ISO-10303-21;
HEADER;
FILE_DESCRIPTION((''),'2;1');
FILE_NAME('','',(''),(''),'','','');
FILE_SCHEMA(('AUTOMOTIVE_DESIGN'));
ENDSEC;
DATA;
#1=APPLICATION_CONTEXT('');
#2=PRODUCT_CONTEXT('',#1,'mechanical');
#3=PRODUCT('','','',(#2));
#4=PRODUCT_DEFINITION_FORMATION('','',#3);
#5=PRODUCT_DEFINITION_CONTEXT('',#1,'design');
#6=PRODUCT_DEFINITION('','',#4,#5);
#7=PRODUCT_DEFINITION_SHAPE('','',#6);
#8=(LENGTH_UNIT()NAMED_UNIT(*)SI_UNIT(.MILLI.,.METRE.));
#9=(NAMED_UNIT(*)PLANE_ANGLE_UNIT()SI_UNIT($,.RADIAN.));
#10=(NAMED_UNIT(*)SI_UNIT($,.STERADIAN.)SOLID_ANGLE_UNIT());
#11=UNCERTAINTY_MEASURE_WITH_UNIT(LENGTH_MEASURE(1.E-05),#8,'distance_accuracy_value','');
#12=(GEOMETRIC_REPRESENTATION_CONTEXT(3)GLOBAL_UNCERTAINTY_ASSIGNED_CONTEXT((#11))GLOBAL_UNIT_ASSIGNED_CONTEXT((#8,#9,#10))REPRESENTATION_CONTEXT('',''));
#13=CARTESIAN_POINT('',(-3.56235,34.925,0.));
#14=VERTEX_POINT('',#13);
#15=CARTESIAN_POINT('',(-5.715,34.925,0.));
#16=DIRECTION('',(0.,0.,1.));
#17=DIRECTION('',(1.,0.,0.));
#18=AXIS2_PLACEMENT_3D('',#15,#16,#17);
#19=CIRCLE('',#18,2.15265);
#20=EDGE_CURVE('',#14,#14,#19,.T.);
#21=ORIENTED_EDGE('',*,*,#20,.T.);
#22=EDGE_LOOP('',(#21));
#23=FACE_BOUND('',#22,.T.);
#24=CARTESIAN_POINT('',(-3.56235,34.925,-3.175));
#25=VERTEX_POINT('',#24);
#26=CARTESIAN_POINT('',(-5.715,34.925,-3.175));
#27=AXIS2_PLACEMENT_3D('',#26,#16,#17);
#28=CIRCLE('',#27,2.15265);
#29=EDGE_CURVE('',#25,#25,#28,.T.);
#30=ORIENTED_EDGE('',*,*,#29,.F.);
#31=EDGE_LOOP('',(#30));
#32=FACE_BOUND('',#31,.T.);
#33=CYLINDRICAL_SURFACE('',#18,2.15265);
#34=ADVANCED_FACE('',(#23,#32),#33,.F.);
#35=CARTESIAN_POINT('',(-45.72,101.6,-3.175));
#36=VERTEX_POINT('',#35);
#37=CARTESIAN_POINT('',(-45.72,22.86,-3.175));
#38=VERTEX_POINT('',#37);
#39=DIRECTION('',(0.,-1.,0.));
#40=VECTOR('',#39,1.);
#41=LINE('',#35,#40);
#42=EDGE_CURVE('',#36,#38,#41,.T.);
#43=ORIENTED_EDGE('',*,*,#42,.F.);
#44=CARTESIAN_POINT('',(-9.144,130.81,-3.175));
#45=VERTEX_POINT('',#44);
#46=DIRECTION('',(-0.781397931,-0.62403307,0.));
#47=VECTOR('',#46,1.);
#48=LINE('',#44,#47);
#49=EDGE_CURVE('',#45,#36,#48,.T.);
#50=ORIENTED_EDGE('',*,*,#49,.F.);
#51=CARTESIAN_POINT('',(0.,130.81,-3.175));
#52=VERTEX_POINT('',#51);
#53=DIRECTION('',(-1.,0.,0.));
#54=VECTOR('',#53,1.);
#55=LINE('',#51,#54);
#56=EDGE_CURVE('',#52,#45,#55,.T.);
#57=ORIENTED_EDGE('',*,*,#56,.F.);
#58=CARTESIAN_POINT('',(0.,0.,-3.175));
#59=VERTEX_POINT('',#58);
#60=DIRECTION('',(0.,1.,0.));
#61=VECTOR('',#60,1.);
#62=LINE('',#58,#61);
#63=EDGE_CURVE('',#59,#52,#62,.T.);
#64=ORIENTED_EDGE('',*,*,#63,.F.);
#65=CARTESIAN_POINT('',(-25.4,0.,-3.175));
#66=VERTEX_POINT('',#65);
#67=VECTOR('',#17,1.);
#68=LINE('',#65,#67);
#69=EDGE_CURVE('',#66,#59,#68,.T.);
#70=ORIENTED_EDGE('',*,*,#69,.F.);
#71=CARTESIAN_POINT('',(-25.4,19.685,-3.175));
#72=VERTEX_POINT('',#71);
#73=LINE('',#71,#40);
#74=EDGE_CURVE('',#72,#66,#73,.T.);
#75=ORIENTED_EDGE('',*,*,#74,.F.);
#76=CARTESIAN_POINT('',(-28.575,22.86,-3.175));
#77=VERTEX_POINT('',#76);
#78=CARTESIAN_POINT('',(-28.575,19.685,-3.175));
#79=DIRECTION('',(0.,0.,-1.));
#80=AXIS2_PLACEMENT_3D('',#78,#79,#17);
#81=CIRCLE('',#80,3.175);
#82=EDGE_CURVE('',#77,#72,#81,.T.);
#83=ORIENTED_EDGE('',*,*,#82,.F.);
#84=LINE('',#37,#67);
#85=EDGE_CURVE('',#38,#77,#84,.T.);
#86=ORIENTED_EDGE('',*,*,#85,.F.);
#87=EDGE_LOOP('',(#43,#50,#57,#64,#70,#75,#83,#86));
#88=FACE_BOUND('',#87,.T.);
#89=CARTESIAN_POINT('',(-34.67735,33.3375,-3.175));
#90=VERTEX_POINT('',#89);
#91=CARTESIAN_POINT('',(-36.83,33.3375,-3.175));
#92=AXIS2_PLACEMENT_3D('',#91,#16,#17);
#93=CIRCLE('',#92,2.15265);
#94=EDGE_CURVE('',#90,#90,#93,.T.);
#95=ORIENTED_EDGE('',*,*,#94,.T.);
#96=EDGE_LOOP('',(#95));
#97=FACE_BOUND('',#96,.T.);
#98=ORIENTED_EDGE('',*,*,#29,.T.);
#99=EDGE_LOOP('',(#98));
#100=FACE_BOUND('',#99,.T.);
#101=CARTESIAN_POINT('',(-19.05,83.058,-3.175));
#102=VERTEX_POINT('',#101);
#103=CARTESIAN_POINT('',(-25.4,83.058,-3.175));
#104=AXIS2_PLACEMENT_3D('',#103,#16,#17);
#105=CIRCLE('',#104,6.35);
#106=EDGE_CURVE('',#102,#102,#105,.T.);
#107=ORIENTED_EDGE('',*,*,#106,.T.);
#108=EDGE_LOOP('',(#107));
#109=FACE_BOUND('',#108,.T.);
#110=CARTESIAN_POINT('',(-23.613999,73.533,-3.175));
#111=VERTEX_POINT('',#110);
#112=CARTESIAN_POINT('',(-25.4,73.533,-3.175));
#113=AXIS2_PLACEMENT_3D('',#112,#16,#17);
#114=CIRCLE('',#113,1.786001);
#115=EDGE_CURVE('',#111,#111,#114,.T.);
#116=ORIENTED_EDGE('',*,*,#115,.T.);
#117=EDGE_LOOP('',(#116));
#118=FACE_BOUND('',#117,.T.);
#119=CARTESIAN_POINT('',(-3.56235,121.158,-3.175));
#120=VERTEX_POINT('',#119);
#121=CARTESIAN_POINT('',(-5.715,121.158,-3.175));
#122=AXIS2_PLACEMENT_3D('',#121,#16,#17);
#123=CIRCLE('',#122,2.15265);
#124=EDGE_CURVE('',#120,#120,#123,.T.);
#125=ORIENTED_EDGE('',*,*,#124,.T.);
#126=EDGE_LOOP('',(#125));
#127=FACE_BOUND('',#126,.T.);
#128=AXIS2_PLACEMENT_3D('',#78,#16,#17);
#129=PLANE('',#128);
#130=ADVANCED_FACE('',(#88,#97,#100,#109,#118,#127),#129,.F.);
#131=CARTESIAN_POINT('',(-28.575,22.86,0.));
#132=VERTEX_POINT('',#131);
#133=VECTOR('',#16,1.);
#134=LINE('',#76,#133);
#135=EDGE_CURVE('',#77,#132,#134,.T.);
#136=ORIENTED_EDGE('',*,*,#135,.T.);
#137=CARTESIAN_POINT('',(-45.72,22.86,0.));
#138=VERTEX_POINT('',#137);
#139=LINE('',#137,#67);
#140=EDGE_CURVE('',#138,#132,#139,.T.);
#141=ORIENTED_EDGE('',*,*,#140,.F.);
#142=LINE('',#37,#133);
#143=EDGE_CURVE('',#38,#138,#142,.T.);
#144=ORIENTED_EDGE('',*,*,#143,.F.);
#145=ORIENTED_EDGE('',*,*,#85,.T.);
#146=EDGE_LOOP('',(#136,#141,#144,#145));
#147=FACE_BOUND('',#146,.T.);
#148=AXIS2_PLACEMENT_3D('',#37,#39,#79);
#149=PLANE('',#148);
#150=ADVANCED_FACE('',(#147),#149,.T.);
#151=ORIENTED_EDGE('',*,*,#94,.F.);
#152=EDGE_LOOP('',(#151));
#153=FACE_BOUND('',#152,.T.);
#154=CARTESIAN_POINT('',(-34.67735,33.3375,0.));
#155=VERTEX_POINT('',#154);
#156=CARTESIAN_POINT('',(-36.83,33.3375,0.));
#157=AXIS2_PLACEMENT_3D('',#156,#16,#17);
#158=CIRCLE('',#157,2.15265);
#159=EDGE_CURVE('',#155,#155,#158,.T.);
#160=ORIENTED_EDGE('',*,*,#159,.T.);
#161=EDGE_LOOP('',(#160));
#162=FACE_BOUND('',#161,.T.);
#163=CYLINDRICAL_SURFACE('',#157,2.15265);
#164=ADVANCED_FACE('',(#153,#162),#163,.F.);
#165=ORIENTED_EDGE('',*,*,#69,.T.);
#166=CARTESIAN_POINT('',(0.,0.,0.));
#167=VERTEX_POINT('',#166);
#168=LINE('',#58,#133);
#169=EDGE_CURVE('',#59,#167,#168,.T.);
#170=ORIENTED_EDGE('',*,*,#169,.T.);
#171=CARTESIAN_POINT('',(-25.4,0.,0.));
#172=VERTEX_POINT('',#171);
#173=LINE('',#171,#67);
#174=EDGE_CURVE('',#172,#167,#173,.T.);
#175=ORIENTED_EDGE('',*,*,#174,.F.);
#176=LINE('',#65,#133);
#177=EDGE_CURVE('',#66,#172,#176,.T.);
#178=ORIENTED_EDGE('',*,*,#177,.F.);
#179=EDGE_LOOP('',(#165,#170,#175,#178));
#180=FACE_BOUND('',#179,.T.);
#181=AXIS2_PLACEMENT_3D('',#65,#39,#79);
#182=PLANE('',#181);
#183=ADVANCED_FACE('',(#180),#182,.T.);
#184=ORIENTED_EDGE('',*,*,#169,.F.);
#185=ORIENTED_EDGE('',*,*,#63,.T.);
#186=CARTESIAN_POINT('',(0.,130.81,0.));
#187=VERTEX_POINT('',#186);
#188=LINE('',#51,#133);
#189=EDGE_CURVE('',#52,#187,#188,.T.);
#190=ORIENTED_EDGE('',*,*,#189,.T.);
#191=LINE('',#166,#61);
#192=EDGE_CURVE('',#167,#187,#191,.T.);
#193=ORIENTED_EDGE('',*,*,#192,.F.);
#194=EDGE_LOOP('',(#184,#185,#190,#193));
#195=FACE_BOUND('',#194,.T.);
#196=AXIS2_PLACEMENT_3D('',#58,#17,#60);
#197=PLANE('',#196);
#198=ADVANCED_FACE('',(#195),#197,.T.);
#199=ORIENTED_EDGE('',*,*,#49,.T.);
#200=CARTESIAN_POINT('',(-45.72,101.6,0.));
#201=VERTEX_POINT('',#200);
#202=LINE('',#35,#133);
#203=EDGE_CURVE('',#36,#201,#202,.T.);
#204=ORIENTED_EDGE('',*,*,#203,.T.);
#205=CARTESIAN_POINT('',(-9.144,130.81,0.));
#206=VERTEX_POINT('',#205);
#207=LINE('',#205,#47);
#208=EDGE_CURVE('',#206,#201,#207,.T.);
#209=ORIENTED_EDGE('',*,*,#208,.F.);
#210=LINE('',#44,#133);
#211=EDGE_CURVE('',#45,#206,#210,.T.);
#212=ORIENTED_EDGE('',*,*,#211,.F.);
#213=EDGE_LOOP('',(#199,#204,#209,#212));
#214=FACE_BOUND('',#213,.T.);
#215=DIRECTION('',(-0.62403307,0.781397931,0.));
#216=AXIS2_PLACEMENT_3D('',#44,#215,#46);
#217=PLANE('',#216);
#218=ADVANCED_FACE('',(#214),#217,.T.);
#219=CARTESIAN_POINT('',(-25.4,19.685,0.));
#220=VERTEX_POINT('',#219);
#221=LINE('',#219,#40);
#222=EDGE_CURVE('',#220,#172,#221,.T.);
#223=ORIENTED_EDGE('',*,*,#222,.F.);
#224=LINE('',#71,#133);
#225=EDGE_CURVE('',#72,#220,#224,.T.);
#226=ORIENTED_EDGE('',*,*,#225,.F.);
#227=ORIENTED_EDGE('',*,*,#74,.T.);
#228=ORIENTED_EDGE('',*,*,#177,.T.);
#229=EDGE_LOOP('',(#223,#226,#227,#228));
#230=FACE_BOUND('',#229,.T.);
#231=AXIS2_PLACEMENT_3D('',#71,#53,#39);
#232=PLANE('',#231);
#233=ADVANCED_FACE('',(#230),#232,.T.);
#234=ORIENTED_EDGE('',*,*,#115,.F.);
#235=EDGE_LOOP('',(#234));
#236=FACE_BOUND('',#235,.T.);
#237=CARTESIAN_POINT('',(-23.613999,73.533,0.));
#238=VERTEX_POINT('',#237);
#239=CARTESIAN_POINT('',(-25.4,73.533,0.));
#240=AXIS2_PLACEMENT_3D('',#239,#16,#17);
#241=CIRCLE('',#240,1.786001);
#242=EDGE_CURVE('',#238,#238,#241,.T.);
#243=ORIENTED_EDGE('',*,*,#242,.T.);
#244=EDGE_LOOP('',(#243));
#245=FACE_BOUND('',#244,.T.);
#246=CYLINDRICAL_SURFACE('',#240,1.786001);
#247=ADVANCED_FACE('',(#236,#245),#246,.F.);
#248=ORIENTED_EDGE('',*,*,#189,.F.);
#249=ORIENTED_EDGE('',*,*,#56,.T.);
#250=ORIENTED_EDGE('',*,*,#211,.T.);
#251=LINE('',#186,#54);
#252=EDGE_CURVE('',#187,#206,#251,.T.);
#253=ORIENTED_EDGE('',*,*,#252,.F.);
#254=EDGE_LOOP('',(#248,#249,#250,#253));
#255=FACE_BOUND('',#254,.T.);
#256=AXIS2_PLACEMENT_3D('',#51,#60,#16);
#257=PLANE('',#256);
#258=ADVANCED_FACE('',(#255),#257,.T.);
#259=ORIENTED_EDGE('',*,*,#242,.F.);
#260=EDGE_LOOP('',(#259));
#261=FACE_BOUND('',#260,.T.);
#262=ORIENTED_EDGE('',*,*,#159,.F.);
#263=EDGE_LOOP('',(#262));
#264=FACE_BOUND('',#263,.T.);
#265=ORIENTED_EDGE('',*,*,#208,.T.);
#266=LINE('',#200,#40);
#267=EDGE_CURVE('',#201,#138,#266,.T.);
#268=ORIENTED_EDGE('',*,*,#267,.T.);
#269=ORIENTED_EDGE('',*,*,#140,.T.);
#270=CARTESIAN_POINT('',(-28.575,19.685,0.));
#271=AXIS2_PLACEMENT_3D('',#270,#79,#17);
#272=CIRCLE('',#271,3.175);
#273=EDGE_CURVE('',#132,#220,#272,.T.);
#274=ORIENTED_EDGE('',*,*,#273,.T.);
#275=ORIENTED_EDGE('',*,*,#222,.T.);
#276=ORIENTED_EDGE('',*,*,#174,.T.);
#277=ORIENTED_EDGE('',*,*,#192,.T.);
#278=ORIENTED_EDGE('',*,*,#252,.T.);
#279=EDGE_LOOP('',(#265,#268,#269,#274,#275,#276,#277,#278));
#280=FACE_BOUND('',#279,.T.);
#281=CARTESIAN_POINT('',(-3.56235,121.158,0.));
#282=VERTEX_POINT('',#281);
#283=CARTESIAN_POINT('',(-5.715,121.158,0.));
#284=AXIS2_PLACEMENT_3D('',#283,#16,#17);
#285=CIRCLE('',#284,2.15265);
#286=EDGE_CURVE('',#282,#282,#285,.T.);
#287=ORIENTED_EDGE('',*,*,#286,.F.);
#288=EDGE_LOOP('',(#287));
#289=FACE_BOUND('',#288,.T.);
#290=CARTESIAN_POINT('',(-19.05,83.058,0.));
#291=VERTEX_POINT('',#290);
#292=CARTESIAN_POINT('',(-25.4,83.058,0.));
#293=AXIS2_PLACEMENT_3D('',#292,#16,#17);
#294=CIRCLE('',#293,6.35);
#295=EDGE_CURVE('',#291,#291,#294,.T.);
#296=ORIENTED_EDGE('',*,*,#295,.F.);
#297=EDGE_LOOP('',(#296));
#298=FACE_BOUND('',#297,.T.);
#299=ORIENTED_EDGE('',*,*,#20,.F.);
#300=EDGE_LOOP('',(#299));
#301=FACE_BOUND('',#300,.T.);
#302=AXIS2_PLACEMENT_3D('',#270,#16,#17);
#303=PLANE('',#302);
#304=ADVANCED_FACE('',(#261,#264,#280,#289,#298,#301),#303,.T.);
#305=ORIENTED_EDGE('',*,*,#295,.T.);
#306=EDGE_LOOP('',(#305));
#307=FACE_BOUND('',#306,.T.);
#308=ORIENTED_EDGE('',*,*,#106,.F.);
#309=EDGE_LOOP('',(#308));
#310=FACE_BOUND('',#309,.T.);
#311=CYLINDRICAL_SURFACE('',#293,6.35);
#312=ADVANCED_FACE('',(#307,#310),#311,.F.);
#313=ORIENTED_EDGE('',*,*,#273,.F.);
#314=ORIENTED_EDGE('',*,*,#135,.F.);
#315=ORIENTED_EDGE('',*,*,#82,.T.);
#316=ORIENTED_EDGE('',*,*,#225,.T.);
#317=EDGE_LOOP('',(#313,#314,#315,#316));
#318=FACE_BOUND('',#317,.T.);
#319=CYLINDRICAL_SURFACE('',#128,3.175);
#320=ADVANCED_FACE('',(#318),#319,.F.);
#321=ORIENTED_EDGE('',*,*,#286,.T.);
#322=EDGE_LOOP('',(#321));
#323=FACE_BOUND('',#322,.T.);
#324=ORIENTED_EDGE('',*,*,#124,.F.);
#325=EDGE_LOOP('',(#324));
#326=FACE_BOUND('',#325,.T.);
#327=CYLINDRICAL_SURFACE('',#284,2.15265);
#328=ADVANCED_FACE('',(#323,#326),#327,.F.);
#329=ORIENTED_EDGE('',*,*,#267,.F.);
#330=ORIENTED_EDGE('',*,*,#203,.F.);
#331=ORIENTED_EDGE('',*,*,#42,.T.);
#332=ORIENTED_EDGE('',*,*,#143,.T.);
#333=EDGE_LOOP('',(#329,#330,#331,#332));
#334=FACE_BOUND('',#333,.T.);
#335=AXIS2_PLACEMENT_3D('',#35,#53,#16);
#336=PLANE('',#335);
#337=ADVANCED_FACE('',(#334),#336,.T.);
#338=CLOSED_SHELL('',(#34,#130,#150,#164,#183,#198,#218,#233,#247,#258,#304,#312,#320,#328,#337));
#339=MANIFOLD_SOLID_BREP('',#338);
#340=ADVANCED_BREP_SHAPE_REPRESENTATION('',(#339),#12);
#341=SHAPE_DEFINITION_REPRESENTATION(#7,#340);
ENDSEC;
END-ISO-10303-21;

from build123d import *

# Parameters (mm, degrees)
BOSS_EXTRUDE1_DEPTH             = 3.175
F_6_CLEARANCE_HOLE1_D           = 4.3053
F_1_2_0_5_DIAMETER_HOLE1_D      = 12.7
F_9_64_0_14063_DIAMETER_HOLE1_D = 3.572002


with BuildPart() as part:
    # Sketch1 → Boss-Extrude1 (new body)
    with BuildSketch(Plane.XY):
        with BuildLine():
            Line((-25.4, 0), (0, 0))
            Line((0, 0), (0, 130.81))
            Line((0, 130.81), (-9.144, 130.81))
            Line((-9.144, 130.81), (-45.72, 101.6))
            Line((-45.72, 101.6), (-45.72, 22.86))
            Line((-45.72, 22.86), (-28.575, 22.86))
            ThreePointArc((-28.575, 22.86), (-26.32993597, 21.93006403), (-25.4, 19.685))
            Line((-25.4, 19.685), (-25.4, 0))
        make_face()
    extrude(amount=-BOSS_EXTRUDE1_DEPTH)

    # #6 Clearance Hole1 (through all)
    with Locations(Plane.XY):
        with Locations((-5.715, 34.925), (-36.83, 33.3375), (-5.715, 121.158)):
            Hole(F_6_CLEARANCE_HOLE1_D / 2)

    # 1/2 (0.5) Diameter Hole1 (through all)
    with Locations(Plane.XY):
        with Locations((-25.4, 83.058)):
            Hole(F_1_2_0_5_DIAMETER_HOLE1_D / 2)

    # 9/64 (0.14063) Diameter Hole1 (through all)
    with Locations(Plane.XY):
        with Locations((-25.4, 73.533)):
            Hole(F_9_64_0_14063_DIAMETER_HOLE1_D / 2)


solid = part.part
